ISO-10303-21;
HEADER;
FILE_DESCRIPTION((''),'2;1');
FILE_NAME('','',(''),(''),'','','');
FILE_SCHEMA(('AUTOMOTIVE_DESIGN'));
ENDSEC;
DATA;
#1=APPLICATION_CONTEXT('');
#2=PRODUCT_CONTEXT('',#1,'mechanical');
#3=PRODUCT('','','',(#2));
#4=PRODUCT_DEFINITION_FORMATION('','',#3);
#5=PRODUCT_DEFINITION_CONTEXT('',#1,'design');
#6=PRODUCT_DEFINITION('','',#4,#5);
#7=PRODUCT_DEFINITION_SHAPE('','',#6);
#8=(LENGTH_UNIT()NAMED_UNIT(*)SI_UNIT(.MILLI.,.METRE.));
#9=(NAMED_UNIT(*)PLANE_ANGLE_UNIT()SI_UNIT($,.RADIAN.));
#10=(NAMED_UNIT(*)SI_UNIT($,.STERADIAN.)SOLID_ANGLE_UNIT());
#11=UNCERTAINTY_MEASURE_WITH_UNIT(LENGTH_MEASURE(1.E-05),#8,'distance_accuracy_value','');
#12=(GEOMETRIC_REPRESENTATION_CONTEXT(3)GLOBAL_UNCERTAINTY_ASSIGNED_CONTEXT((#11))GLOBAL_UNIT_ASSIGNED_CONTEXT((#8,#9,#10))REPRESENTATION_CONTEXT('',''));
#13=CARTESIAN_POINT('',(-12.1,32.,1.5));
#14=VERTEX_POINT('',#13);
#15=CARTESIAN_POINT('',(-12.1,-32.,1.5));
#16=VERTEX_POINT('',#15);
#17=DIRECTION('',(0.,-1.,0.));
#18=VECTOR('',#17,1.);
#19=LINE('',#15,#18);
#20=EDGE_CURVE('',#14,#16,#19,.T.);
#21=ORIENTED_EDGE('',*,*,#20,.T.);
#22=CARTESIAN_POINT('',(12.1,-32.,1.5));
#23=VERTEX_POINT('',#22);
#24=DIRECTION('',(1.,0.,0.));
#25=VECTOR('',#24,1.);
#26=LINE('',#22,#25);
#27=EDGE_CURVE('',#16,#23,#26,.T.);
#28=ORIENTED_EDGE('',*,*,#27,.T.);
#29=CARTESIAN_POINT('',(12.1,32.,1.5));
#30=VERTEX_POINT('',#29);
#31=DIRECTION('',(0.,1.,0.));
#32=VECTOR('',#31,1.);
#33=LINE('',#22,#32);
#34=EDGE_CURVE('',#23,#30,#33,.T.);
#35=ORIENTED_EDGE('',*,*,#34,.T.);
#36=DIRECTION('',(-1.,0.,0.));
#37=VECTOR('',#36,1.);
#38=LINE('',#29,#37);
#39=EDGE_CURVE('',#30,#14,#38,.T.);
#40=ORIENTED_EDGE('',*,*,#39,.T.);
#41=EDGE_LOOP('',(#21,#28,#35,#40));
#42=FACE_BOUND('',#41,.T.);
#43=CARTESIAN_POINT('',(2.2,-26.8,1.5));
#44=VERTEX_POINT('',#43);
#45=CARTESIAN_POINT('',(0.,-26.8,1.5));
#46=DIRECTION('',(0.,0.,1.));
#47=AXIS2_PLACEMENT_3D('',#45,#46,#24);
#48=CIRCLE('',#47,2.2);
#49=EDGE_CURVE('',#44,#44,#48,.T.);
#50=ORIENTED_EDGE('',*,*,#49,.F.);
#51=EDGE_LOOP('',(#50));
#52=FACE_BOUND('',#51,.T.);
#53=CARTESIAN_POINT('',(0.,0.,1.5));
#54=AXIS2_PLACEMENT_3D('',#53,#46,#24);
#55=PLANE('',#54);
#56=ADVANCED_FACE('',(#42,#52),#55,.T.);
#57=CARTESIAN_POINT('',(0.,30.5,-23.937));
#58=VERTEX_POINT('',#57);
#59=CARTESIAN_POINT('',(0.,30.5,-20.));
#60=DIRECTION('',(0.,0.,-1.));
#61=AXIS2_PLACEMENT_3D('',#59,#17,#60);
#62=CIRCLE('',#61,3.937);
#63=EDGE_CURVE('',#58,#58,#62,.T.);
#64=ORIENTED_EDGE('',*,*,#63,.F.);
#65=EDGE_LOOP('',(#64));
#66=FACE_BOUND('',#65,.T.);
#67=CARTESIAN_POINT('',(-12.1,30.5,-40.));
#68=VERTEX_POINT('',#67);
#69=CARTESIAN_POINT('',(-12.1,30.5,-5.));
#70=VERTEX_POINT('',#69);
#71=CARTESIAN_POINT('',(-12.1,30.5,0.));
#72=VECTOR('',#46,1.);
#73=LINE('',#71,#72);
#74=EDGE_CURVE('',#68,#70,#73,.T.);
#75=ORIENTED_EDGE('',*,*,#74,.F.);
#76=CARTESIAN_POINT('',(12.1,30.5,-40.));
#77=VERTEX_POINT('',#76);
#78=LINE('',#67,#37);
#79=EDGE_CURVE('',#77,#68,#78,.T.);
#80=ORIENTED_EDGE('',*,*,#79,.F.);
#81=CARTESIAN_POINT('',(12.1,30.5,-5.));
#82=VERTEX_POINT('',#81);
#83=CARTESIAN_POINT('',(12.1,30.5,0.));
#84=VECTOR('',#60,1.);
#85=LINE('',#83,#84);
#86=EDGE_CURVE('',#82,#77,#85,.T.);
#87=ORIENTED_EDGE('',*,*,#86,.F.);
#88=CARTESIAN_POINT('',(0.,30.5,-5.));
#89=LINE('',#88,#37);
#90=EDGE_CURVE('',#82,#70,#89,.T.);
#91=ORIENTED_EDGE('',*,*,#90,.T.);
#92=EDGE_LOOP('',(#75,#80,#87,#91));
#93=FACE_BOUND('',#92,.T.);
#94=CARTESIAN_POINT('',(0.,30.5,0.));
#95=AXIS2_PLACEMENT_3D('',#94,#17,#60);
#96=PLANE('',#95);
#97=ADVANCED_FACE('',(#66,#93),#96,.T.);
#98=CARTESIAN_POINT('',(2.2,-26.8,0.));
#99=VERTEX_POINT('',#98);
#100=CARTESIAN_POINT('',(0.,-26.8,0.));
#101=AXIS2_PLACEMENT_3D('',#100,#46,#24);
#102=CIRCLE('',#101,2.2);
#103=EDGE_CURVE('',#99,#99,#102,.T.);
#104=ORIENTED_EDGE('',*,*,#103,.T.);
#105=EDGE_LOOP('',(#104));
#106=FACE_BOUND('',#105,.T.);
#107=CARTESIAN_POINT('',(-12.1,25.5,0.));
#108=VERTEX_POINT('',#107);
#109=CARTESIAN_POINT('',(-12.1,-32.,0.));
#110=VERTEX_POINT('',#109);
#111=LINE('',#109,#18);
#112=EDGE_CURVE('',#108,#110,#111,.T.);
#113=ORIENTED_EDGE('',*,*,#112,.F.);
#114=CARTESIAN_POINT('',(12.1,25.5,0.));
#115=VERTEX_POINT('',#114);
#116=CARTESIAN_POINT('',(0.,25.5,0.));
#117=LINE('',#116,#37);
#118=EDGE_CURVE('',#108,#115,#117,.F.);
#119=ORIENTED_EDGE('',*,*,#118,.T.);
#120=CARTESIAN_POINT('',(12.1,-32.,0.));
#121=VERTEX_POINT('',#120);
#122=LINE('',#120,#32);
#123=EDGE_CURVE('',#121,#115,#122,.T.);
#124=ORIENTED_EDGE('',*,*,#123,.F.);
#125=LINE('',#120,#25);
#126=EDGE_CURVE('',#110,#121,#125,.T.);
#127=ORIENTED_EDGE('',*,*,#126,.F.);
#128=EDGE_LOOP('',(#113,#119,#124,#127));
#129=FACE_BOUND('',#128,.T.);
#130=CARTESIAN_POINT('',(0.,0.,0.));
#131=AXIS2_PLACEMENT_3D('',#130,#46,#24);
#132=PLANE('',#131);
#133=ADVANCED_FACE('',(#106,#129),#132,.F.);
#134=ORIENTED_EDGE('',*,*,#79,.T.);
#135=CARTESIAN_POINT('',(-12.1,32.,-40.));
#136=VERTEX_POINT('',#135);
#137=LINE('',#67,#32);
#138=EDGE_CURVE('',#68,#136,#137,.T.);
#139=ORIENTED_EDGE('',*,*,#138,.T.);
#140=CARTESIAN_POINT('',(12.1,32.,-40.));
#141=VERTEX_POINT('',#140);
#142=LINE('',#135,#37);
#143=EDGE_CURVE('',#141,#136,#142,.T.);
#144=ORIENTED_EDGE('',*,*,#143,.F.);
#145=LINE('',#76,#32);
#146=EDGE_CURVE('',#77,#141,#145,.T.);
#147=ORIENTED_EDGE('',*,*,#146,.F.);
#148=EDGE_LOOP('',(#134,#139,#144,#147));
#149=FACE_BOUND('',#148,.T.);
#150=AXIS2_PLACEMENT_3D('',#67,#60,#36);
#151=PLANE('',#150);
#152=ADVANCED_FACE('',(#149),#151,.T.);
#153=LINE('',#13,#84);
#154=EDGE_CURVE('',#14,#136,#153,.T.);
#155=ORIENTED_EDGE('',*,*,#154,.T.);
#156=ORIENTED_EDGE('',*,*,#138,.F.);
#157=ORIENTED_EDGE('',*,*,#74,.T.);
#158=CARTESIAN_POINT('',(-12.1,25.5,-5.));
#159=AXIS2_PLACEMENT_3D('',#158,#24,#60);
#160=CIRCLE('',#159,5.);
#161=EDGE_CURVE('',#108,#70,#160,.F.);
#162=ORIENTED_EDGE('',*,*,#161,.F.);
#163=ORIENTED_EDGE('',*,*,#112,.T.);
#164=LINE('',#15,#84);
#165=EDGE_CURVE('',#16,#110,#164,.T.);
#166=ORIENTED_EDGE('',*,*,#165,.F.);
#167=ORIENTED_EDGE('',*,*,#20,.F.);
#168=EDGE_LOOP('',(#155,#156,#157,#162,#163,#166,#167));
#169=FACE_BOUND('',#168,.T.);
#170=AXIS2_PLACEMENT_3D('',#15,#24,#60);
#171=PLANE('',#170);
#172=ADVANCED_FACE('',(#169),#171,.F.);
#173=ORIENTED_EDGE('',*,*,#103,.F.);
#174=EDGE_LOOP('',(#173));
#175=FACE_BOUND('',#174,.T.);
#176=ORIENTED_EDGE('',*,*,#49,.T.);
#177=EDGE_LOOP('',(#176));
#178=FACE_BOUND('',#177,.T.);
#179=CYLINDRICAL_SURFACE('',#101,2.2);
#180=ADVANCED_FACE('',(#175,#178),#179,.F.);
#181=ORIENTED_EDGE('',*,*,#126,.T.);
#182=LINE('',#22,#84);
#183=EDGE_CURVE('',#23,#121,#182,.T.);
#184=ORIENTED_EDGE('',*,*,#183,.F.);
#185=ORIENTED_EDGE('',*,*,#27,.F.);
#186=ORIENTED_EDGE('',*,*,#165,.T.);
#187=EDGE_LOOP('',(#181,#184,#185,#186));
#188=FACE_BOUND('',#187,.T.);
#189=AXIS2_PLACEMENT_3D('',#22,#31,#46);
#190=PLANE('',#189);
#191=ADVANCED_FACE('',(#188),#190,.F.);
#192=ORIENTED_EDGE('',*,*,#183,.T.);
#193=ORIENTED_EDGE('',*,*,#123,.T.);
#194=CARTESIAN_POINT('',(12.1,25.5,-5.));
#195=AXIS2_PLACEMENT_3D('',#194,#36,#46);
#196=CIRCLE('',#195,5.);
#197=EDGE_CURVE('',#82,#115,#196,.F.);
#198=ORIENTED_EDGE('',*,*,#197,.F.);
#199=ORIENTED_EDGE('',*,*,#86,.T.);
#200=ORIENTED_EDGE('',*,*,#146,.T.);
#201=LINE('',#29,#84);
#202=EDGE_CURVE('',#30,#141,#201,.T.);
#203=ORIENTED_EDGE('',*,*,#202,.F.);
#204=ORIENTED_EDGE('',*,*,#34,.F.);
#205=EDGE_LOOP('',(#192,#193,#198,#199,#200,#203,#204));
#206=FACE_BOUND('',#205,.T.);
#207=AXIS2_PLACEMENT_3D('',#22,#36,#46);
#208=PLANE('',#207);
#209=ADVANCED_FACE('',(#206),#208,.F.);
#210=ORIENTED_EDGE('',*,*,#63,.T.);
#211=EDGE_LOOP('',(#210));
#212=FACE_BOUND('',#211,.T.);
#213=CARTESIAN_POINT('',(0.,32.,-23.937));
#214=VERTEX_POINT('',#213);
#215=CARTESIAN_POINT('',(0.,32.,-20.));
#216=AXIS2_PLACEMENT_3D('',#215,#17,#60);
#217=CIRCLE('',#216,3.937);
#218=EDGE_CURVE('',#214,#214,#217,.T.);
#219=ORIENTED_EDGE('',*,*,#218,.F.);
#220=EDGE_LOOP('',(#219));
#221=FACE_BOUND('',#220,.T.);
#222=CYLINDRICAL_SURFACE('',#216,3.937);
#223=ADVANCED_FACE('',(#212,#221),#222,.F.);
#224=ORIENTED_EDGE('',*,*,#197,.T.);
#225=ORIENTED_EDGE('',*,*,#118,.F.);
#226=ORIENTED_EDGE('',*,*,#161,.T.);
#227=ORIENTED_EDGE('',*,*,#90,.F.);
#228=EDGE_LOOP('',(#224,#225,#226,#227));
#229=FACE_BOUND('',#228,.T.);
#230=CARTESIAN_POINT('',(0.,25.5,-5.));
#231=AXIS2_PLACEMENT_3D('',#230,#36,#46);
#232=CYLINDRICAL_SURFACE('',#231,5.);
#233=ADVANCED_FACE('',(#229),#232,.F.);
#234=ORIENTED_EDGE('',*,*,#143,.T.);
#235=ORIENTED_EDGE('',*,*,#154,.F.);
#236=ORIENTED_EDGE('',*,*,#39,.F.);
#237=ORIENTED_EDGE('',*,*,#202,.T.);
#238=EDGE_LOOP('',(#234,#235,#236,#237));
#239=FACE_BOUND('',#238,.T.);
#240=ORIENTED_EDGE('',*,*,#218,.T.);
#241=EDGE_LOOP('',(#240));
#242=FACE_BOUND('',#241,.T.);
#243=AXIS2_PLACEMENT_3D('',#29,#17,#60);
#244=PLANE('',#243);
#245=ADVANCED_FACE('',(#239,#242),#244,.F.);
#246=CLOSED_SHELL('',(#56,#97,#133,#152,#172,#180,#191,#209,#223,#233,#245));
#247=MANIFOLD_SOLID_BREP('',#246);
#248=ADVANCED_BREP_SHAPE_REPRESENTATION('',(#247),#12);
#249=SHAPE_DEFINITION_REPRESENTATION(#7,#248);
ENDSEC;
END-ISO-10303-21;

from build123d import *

# Parameters (mm, degrees)
SKETCH1_W           = 24.2
SKETCH1_H           = 64
BOSS_EXTRUDE1_DEPTH = 1.5
SKETCH2_R           = 2.2
CUT_EXTRUDE1_DEPTH  = 35.244123583
SKETCH4_W           = 24.2
SKETCH4_H           = 40
BOSS_EXTRUDE2_DEPTH = 1.5
SKETCH5_R           = 3.937
CUT_EXTRUDE2_DEPTH  = 76.184173867
FILLET1_R           = 5


with BuildPart() as part:
    # Sketch1 → Boss-Extrude1 (new body)
    with BuildSketch(Plane.XY):
        Rectangle(SKETCH1_W, SKETCH1_H)
    extrude(amount=BOSS_EXTRUDE1_DEPTH)

    # Sketch2 → Cut-Extrude1 (cut, through all)
    with BuildSketch(Plane.XY.offset(1.5)):
        with Locations((0, -26.8)):
            Circle(SKETCH2_R)
    extrude(amount=-CUT_EXTRUDE1_DEPTH, mode=Mode.SUBTRACT)

    # Sketch4 → Boss-Extrude2 (add)
    with BuildSketch(Plane(origin=(0, 32, 0), x_dir=(1, 0, 0), z_dir=(0, 1, 0))):
        with Locations((0, 20)):
            Rectangle(SKETCH4_W, SKETCH4_H)
    extrude(amount=-BOSS_EXTRUDE2_DEPTH)

    # Sketch5 → Cut-Extrude2 (cut, through all)
    with BuildSketch(Plane.XZ.offset(-30.5)):
        with Locations(Location((0, -20, 0), (0, 0, 270))):
            Circle(SKETCH5_R)
    extrude(amount=-CUT_EXTRUDE2_DEPTH, mode=Mode.SUBTRACT)

    # Fillet1
    fillet1_edges = [part.edges().sort_by_distance(p)[0] for p in [
        (0, 30.5, 0),
    ]]
    fillet(fillet1_edges, radius=FILLET1_R)


solid = part.part
